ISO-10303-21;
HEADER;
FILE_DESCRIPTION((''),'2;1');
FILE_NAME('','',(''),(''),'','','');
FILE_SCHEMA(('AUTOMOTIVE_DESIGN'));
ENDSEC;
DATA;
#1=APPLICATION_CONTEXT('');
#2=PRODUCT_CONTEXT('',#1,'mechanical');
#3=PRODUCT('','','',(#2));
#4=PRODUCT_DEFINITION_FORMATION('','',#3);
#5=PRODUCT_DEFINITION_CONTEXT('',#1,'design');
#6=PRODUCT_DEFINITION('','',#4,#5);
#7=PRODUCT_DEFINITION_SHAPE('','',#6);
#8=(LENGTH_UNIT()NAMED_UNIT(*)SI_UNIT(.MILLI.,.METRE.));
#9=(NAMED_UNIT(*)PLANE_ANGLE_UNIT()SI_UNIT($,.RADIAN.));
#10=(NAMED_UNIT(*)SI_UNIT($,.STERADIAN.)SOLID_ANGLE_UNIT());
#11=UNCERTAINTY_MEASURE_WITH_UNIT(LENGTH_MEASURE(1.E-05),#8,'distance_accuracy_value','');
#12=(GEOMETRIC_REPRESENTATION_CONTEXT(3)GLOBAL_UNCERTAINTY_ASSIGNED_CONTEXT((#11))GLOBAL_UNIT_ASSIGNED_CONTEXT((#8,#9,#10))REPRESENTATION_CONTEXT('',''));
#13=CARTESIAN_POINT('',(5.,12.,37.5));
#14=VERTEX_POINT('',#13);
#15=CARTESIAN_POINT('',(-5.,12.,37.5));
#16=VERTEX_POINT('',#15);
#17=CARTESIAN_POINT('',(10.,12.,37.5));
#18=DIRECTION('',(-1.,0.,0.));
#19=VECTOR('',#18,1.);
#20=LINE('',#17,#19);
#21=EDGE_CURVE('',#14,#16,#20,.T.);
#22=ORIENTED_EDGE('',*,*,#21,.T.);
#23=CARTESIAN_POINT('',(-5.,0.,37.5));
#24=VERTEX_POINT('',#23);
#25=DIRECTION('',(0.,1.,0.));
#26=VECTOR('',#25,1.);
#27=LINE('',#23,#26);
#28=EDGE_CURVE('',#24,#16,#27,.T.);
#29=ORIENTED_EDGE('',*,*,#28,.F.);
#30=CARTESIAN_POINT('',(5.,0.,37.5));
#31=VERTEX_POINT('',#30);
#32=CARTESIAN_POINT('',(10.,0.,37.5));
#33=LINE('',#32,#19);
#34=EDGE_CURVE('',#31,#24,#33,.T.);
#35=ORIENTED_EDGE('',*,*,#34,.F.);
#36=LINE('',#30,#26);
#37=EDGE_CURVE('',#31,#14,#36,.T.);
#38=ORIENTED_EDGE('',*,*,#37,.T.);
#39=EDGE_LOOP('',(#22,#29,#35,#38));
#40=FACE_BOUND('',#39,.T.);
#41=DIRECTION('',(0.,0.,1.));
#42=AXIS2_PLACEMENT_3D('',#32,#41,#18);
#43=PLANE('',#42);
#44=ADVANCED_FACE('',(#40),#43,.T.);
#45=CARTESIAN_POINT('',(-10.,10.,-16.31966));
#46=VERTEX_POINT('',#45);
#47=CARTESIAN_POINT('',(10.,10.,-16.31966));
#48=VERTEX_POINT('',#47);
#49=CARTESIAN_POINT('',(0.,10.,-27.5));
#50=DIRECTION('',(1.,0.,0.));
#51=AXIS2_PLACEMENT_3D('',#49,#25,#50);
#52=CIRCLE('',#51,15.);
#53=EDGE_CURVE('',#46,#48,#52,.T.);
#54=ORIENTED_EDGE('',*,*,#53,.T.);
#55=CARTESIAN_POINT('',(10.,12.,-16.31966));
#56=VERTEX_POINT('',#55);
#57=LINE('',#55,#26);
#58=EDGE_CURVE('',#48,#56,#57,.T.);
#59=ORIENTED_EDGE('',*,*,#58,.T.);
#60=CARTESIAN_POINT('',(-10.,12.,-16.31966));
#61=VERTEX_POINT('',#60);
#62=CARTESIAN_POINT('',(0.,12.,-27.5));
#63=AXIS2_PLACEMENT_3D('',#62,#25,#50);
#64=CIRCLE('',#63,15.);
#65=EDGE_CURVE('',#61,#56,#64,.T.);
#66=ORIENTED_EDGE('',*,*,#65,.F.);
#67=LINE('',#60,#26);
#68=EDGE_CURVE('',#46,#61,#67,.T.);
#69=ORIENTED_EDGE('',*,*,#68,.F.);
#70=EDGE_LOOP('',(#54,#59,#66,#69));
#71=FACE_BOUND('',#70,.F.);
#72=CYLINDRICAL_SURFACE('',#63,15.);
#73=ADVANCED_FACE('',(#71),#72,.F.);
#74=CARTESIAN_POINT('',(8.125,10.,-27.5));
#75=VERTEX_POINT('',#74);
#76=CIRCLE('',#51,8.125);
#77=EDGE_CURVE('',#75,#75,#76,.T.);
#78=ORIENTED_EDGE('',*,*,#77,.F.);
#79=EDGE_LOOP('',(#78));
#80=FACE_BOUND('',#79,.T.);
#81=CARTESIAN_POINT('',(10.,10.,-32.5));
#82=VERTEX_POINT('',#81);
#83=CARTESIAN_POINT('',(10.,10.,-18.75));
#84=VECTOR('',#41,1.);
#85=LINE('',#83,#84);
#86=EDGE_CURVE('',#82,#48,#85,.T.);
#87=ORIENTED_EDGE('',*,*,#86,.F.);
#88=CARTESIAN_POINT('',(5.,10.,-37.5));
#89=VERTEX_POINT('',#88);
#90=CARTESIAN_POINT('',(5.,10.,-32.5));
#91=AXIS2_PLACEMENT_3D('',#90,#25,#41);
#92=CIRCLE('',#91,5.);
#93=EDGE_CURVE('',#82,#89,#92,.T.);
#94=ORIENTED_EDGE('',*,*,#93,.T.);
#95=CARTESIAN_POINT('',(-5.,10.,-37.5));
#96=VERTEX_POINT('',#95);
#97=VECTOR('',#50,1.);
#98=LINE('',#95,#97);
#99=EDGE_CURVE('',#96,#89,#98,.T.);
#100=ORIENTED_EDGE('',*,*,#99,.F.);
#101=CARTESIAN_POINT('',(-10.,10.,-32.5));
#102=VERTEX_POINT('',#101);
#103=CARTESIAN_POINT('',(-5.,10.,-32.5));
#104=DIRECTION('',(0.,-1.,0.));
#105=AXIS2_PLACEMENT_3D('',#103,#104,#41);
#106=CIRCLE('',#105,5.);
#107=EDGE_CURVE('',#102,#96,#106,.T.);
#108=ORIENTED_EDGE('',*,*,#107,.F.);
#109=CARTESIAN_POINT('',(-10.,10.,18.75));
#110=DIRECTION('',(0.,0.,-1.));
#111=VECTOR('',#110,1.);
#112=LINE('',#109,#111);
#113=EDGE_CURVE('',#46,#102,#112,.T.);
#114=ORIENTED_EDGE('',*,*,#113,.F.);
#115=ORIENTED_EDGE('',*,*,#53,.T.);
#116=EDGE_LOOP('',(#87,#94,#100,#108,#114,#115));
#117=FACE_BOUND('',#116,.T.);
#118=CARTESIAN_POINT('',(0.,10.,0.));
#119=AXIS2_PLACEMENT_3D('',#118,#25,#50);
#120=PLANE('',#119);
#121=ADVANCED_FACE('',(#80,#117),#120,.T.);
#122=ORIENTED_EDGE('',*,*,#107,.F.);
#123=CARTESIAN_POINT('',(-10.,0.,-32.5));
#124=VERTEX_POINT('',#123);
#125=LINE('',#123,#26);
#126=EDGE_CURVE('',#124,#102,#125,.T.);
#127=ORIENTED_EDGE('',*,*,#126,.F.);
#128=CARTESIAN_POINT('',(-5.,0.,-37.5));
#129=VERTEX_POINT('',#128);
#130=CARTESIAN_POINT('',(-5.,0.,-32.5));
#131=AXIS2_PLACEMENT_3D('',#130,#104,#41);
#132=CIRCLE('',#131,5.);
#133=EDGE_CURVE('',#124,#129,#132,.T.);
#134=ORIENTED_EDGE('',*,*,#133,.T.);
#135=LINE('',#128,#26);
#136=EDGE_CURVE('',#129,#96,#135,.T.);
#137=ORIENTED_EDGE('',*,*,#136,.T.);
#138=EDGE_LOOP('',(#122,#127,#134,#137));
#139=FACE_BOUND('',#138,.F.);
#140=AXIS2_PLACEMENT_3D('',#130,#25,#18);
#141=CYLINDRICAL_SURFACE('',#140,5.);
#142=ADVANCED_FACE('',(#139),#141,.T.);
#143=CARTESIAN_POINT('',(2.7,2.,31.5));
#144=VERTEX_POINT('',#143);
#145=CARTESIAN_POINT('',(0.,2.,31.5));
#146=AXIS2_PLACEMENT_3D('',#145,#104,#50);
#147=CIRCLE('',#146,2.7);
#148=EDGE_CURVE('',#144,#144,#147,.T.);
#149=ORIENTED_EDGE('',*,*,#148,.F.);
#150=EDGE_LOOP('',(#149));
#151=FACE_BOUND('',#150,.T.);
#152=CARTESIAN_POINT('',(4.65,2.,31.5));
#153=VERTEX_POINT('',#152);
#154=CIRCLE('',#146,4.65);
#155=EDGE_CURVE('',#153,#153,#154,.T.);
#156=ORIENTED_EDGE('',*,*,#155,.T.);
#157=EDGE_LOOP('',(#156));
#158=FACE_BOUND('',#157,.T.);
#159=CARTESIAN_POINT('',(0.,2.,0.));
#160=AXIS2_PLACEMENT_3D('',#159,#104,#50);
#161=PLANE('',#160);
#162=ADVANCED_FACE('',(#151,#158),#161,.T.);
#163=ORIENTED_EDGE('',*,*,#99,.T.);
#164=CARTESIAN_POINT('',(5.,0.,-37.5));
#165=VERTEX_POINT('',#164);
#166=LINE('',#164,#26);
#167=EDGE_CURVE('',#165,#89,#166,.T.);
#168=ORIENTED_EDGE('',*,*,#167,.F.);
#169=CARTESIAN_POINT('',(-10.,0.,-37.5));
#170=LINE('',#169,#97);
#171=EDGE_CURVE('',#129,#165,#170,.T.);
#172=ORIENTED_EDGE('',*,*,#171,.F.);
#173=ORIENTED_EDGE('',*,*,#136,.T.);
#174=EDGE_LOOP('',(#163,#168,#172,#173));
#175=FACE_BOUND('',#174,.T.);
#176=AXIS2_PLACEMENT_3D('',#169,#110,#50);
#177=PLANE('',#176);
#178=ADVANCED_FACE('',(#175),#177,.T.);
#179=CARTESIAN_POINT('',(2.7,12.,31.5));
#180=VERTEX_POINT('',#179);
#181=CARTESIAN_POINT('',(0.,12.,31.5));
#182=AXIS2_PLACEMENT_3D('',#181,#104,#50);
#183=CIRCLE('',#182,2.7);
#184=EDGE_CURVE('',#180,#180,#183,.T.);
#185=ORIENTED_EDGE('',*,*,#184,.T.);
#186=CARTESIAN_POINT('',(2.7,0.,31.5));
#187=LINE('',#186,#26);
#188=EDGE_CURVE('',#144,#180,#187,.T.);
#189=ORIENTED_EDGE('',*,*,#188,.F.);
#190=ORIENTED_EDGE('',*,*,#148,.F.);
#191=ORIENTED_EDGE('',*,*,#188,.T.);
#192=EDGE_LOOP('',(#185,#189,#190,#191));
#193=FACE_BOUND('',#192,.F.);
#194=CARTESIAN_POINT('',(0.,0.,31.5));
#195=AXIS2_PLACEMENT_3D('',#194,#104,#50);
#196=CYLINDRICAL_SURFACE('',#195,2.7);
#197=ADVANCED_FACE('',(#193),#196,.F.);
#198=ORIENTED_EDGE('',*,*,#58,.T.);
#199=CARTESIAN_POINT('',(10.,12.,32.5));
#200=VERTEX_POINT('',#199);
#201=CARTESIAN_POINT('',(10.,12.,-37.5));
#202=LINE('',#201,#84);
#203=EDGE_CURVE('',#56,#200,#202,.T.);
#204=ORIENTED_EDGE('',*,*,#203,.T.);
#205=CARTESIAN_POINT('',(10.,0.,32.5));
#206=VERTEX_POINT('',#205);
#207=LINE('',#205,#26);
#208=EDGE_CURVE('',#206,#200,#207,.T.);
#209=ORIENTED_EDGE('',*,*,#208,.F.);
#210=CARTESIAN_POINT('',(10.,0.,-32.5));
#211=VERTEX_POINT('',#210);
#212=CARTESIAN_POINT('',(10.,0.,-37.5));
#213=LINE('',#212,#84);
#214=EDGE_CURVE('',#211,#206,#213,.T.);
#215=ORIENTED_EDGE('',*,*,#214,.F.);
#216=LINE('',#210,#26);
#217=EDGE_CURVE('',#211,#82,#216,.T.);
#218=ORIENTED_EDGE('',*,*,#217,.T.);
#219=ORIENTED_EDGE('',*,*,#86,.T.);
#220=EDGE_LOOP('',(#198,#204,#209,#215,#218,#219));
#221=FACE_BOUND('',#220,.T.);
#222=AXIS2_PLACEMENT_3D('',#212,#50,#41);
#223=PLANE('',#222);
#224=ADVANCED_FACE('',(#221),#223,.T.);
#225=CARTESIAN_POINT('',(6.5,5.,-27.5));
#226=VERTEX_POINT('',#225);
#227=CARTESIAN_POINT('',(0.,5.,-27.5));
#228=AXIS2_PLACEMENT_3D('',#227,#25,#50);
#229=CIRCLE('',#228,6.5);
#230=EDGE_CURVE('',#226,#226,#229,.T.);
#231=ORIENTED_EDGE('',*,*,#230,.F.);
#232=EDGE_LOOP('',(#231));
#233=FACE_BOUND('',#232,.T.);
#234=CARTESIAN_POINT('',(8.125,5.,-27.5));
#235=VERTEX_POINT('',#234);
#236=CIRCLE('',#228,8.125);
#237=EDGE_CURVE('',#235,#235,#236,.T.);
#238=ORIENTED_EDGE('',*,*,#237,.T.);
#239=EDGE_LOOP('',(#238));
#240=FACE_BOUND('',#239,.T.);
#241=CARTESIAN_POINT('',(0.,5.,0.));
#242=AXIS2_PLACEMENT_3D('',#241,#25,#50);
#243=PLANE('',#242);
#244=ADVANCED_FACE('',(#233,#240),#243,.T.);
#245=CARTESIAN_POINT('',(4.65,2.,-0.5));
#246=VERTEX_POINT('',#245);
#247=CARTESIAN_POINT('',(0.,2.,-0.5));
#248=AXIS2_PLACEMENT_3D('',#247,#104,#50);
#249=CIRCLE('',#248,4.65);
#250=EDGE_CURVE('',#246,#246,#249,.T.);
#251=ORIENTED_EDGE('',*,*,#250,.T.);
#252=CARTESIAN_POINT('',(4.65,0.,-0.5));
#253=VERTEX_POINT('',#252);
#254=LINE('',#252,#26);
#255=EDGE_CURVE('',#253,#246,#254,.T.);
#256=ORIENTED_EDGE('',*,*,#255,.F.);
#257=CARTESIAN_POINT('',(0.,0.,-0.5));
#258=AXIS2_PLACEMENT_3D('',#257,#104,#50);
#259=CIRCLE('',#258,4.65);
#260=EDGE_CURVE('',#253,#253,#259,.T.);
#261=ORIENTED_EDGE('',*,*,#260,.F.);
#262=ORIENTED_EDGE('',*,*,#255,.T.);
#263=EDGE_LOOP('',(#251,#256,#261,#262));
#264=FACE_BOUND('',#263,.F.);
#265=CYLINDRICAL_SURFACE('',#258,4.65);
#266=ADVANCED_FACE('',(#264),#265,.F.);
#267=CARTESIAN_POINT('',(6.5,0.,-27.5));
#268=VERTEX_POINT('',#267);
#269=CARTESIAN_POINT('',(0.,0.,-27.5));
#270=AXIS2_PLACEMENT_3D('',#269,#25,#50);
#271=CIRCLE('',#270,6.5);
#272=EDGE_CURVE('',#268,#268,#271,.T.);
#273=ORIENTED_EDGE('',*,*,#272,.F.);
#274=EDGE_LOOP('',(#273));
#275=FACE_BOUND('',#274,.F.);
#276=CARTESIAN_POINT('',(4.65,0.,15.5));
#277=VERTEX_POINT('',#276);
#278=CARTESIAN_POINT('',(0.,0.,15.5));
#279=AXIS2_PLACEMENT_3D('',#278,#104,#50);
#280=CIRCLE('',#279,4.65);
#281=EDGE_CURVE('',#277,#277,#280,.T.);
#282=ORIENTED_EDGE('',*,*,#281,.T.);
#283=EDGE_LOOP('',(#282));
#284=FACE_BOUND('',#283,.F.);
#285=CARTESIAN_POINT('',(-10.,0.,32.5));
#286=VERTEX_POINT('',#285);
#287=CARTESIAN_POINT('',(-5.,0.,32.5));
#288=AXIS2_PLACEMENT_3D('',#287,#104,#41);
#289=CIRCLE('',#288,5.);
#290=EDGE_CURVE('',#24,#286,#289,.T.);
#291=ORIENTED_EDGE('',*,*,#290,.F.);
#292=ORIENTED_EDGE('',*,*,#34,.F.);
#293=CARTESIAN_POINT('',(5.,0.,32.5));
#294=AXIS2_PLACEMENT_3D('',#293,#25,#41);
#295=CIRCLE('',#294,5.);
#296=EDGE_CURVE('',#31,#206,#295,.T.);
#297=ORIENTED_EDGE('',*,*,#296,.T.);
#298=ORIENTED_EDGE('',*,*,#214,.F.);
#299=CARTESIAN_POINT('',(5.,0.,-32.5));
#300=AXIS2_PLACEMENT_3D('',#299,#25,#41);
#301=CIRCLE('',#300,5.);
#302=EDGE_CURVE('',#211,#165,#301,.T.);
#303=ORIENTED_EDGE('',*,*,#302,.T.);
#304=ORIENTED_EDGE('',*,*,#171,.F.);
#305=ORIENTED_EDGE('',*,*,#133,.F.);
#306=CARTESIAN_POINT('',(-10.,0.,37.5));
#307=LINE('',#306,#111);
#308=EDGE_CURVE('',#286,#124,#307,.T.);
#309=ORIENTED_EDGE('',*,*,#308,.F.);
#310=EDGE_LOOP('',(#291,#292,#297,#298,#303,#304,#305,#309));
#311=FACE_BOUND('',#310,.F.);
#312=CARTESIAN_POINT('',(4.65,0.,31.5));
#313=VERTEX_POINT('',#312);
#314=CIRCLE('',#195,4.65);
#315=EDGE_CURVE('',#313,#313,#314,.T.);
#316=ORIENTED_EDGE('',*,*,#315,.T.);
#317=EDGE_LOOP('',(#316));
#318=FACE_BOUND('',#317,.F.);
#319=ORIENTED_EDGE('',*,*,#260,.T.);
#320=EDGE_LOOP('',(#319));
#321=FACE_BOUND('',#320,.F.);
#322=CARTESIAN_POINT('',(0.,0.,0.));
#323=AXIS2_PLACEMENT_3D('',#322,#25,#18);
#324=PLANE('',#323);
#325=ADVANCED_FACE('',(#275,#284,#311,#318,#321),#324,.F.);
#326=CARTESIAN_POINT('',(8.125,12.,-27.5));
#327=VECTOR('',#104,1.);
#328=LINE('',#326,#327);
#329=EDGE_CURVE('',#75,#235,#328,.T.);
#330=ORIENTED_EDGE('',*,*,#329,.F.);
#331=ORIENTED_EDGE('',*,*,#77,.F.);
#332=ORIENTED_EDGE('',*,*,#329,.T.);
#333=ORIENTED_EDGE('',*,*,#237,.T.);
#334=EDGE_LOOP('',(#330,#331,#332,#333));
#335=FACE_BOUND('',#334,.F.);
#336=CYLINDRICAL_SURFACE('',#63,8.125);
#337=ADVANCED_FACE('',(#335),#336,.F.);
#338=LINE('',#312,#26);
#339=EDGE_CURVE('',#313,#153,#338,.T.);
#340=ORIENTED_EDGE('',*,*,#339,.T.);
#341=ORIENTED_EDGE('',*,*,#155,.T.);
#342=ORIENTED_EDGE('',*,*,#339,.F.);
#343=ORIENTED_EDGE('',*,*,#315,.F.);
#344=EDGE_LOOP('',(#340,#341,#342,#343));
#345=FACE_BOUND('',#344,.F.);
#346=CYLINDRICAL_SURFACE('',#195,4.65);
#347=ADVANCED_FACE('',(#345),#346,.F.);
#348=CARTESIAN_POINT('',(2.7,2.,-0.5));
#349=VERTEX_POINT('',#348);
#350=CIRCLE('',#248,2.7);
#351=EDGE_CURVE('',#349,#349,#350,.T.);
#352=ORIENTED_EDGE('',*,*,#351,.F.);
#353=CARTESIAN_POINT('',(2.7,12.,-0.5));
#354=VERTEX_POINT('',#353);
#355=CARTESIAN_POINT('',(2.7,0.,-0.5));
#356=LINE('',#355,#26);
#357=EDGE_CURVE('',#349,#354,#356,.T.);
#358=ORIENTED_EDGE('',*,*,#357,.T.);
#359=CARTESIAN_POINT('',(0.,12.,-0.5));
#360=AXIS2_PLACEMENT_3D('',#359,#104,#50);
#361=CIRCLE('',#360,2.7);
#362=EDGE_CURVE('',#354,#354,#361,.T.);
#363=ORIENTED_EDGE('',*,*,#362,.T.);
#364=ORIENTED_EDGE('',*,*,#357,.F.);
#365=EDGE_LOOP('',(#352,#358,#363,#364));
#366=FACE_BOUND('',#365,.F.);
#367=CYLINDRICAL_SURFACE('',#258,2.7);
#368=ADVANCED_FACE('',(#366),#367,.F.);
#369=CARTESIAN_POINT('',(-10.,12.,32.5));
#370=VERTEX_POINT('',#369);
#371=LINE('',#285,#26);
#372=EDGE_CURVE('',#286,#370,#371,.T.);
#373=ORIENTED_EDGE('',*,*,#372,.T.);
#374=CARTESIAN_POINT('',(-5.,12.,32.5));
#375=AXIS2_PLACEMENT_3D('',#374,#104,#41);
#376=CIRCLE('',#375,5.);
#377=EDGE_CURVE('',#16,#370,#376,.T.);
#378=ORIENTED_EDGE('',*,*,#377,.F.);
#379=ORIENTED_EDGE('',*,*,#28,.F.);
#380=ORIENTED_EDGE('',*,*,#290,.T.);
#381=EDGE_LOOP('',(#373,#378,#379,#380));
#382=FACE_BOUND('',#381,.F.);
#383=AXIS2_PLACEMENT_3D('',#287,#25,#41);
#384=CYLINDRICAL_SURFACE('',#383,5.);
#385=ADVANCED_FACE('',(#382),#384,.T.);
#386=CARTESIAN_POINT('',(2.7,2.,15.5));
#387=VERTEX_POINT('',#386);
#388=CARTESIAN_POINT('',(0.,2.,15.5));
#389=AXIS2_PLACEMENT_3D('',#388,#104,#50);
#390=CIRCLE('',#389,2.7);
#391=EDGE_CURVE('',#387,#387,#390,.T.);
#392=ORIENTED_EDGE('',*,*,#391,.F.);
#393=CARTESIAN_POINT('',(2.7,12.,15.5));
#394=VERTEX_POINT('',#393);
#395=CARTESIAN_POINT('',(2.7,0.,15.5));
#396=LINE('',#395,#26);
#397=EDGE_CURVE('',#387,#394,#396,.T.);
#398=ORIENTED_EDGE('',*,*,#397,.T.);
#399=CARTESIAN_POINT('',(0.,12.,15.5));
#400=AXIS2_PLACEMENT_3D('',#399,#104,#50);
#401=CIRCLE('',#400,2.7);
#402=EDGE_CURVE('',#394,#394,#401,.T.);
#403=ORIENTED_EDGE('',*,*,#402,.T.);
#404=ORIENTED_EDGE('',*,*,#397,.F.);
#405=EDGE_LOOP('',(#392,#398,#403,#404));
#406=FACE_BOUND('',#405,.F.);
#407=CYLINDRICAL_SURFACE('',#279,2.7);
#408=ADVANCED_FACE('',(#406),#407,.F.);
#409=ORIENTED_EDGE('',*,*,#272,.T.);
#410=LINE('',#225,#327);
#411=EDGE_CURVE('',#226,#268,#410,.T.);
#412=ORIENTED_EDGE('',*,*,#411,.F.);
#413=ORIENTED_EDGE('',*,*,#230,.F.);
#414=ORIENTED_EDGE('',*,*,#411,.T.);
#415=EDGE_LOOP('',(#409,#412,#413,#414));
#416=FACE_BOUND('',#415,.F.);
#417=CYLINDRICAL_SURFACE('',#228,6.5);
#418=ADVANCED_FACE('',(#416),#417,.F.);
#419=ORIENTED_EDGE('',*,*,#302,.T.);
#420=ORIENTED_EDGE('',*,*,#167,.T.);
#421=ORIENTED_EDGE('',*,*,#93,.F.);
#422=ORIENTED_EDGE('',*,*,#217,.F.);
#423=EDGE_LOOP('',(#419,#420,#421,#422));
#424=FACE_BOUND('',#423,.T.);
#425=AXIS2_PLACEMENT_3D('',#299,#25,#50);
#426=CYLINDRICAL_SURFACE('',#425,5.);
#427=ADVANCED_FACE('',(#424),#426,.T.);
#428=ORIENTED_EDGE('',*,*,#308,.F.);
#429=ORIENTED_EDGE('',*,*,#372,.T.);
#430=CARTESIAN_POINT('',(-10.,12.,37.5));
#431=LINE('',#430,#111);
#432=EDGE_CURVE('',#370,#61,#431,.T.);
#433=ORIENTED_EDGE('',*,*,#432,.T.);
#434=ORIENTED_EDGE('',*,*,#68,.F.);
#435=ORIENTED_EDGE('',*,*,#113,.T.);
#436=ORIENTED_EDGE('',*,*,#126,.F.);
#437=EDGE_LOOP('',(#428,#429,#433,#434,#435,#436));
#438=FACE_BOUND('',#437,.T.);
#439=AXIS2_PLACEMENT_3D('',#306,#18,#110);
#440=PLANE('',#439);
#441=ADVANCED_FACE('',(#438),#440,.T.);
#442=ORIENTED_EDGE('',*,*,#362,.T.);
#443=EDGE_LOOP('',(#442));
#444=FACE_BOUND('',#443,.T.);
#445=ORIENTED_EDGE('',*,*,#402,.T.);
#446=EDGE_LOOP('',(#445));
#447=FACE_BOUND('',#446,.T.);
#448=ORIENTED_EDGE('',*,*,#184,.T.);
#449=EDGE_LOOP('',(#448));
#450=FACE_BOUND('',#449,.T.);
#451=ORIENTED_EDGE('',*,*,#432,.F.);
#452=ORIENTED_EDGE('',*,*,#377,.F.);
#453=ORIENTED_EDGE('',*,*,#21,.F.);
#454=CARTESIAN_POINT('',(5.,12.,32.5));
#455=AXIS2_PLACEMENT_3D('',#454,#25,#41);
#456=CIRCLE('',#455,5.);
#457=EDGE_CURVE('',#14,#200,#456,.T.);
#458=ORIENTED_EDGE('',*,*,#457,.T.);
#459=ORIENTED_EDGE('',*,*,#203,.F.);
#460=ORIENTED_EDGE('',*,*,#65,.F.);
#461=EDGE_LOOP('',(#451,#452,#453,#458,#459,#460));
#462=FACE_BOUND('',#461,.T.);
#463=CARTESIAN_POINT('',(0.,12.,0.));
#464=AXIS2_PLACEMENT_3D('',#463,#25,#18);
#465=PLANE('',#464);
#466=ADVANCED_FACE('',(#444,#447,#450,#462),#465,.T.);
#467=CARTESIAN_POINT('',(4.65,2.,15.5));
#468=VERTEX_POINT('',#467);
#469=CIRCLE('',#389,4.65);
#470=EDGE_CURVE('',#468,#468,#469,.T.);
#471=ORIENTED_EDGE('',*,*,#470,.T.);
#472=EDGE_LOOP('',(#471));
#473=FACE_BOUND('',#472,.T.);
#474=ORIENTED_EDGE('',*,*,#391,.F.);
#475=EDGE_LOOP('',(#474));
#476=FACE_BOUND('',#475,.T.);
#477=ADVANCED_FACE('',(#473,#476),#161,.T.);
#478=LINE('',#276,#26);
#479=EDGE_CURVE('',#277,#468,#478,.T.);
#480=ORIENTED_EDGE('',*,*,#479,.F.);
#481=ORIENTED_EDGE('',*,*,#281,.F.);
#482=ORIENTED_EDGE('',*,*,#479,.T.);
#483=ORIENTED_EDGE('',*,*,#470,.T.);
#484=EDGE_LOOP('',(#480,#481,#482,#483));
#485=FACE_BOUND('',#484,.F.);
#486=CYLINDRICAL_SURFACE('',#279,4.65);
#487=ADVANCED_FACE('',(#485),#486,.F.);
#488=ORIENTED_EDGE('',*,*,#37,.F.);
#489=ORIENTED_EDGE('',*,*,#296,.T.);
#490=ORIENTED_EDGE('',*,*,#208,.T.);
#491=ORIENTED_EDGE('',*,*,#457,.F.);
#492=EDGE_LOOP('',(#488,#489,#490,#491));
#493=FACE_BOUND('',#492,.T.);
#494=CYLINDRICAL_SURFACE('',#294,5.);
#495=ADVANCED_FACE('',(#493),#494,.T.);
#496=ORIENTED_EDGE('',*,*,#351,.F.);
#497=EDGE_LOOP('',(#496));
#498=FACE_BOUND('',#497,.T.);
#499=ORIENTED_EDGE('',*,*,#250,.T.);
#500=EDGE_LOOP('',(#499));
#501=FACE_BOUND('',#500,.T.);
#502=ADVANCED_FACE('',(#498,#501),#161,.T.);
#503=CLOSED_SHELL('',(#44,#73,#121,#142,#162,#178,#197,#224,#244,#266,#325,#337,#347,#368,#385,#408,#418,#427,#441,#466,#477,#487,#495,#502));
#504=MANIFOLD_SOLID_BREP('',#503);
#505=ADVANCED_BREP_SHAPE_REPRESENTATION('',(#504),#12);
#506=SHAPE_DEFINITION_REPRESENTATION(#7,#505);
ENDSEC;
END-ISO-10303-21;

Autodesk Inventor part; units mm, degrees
ref_plane "YZ Plane" through (0, 0, 0) normal (1, 0, 0) x (0, 1, 0)
ref_plane "XZ Plane" through (0, 0, 0) normal (0, 1, 0) x (-1, 0, 0)
ref_plane "XY Plane" through (0, 0, 0) normal (0, 0, 1) x (1, 0, 0)
sketch "Boceto1" plane through (0, 0, 0) normal (0, 1, 0) x (-1, 0, 0)
  line L0 (-10, 37.5) -> (10, 37.5)
  line L1 (10, 37.5) -> (10, -37.5)
  line L2 (10, -37.5) -> (-10, -37.5)
  line L3 (-10, -37.5) -> (-10, 37.5)
  line L4 (-10, 37.5) -> (10, -37.5) construction
  line L5 (10, 37.5) -> (-10, -37.5) construction
  circle A0 centre (0, -27.5) radius 8.125
  point P0 (0, 0)
  point P1 (5.4787, -34.25)
  point P2 (-5.4787, -34.25)
  dimension "d0" = 20
  dimension "d23" = 65
  dimension "d24" = 10
  dimension "d25" = 16.25
extrude "Extrusión1" add sketch "Boceto1" along normal blind 12 contours L0 L1 L2 L3 | A0
sketch "Boceto5" plane through (0, 12, 0) normal (0, 1, 0) x (1, 0, 0)
  circle A0 centre (0, 27.5) radius 8.125
  line L0 (10, 37.5) -> (-10, 37.5)
  line L1 (-10, -37.5) -> (10, -37.5)
  point P0 (0, 0)
  dimension "d26" = 16.25
  dimension "d36" = 65
extrude "Extrusión5" cut sketch "Boceto5" against normal blind 7
sketch "Boceto6" plane through (0, 5, -27.5) normal (0, 1, 0) x (1, 0, 0)
  circle A0 centre (0, 0) radius 6.5
  point P0 (0, -27.5)
  dimension "d30" = 13
extrude "Extrusión6" cut sketch "Boceto6" against normal through all
sketch "Boceto7" plane through (0, 12, 0) normal (0, 1, 0) x (1, 0, 0)
  circle A0 centre (0, 27.5) radius 8.125
  circle A1 centre (0, 27.5) radius 15
  point P0 (0, 0)
  dimension "d33" = 30
extrude "Extrusión7" cut sketch "Boceto7" against normal blind 2
fillet "Empalme5" radius 5 2 edges at (-10, 6, 37.5) (10, 6, 37.5)
fillet "Empalme6" radius 5 2 edges at (10, 5, -37.5) (-10, 5, -37.5)
sketch "Boceto8" plane through (0, 0, 0) normal (0, -1, 0) x (1, 0, 0)
  circle A0 centre (0, 31.5) radius 2.7
  circle A1 centre (0, 15.5) radius 2.7
  line L0 (-5, 37.5) -> (5, 37.5)
  circle A2 centre (0, -0.5) radius 2.7
  point P0 (0, 0)
  dimension "d39" = 5.4
  dimension "d40" = 6
  dimension "d41" = 16
  dimension "d47" = 16
extrude "Extrusión8" cut sketch "Boceto8" against normal through all
sketch "Boceto9" plane through (0, 0, 0) normal (0, -1, 0) x (1, 0, 0)
  circle A0 centre (0, 31.5) radius 2.7
  circle A1 centre (0, 31.5) radius 4.65
  circle A2 centre (0, 15.5) radius 2.7
  circle A3 centre (0, 15.5) radius 4.65
  circle A4 centre (0, -0.5) radius 2.7
  circle A5 centre (0, -0.5) radius 4.65
  point P0 (0, 0)
  dimension "d44" = 9.3
extrude "Extrusión9" cut sketch "Boceto9" against normal blind 2 contours A0 | A1 | A2 | A3 | A4 | A5
sketch "Boceto2" plane through (0, 12, 0) normal (0, 1, 0) x (1, 0, 0)
  line L0 (10, 37.5) -> (-10, 37.5)
  line L1 (-10, 37.5) -> (5, 37.5)
  line L2 (5, 37.5) -> (5, 77.5)
  line L3 (5, 77.5) -> (-5, 77.5)
  line L4 (-5, 77.5) -> (-5, 37.5)
  circle A0 centre (0, 70) radius 2.7
  line L5 (10, -37.5) -> (10, 37.5)
  line L6 (10, 37.5) -> (-10, 37.5)
  point P0 (0, 0)
  point P1 (5, 20)
  point P2 (-5, 20)
  dimension "d4" = 5.4
  dimension "d5" = 7.5
  dimension "d19" = 40
  dimension "d20" = 5
  dimension "d21" = 5
  dimension "d22" = 5
sketch "Boceto3" plane through (0, 10.5, 0) normal (0, -1, 0) x (1, 0, 0)
  circle A0 centre (0, -52.5) radius 2.7
  circle A1 centre (0, -52.5) radius 5
  line L0 (5, -60) -> (5, -20)
  point P0 (0, 0)
sketch "Boceto4" plane through (0, 0, 0) normal (0, -1, 0) x (1, 0, 0)
  circle A0 centre (0, -8) radius 2.7
  circle A1 centre (0, 8) radius 2.7
  point P0 (0, 0)
  dimension "d13" = 5.4
  dimension "d14" = 8
  dimension "d15" = 8
properties part number "top support"
